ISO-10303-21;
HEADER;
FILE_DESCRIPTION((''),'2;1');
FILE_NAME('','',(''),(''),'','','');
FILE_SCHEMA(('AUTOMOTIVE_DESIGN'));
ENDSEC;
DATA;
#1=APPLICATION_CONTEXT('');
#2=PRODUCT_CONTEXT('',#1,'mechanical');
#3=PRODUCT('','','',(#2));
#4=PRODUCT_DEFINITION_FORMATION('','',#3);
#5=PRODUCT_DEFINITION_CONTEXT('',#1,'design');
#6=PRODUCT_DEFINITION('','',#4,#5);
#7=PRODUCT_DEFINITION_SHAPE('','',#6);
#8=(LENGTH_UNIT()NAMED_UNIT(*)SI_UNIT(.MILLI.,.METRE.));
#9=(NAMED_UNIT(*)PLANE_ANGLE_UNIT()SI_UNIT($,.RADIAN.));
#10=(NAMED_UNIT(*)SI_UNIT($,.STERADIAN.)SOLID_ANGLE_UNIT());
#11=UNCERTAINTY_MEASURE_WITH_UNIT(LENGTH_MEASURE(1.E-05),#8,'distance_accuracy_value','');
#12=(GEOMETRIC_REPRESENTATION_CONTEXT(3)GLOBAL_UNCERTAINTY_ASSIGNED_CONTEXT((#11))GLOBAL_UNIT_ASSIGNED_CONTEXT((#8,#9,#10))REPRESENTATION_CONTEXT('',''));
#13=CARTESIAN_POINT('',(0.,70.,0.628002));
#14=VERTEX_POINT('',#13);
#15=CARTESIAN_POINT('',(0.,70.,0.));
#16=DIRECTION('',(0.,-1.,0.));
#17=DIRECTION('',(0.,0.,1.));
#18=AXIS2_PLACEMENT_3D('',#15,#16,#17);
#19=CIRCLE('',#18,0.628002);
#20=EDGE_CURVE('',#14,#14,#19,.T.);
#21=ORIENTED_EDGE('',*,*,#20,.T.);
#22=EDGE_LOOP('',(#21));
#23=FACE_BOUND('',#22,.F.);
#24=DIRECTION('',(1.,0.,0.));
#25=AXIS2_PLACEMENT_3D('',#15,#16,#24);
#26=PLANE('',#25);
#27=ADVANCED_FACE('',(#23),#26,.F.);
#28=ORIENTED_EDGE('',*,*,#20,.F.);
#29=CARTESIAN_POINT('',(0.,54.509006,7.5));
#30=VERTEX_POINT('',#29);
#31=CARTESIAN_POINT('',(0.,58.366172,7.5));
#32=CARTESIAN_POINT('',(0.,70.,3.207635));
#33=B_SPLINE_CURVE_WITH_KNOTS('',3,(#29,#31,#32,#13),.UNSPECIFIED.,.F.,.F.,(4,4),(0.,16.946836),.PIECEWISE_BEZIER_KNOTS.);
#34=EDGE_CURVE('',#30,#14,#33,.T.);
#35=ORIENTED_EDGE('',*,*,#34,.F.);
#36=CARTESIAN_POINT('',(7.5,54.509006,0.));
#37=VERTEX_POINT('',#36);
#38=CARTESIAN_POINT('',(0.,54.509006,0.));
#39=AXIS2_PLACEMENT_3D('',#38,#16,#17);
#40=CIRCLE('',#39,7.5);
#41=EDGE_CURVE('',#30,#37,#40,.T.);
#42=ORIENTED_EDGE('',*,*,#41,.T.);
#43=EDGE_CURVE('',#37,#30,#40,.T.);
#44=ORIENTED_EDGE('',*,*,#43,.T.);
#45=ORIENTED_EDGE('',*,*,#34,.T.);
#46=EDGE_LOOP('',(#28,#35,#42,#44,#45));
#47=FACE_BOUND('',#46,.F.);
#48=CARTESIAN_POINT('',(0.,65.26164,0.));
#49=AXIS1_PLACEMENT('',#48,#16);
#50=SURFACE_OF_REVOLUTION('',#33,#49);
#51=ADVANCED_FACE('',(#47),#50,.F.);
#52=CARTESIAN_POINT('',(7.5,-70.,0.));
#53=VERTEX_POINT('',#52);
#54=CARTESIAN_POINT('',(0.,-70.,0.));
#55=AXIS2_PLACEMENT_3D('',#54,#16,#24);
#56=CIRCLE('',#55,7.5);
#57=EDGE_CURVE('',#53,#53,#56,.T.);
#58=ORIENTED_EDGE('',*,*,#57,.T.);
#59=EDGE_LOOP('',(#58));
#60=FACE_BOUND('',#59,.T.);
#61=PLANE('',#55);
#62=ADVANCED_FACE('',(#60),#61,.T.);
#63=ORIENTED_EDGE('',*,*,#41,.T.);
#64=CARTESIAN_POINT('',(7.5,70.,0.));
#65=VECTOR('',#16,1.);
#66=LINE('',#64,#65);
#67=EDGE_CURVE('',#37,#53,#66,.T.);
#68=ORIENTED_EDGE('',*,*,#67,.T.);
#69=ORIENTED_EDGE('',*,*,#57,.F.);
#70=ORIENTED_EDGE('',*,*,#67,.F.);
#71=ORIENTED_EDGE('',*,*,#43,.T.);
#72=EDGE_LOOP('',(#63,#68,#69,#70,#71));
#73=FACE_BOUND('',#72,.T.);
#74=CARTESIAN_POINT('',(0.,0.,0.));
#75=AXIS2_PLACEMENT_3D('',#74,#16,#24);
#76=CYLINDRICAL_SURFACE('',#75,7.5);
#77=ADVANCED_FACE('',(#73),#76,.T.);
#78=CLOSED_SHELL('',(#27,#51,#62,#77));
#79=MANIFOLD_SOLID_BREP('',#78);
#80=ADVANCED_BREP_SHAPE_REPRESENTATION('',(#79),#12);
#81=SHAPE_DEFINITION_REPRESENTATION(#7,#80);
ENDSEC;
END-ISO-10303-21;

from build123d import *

# Parameters (mm, degrees)
F0_R     = 7.5
F1_DEPTH = 70


with BuildPart() as f1:
    # F0 (on Front) → F1 (new body, symmetric)
    with BuildSketch(Plane.XZ):
        Circle(F0_R)
    extrude(amount=F1_DEPTH, both=True)

    # F2 (on Right) → F3 (revolve, cut)
    with BuildSketch(Plane.YZ):
        with BuildLine():
            add(Edge.make_bspline(
                [(54.509006, 7.5), (58.366172, 7.5), (70, 3.207635), (70, 0.628002)],
                knots=[0, 0, 0, 0, 16.946836, 16.946836, 16.946836, 16.946836], degree=3))
            Line((70, 0.628002), (70, 7.5))
            Line((70, 7.5), (54.509006, 7.5))
        make_face()
    revolve(axis=Axis((0, 65.26164, 0), (0, -1, 0)), mode=Mode.SUBTRACT)


solid = f1.part
